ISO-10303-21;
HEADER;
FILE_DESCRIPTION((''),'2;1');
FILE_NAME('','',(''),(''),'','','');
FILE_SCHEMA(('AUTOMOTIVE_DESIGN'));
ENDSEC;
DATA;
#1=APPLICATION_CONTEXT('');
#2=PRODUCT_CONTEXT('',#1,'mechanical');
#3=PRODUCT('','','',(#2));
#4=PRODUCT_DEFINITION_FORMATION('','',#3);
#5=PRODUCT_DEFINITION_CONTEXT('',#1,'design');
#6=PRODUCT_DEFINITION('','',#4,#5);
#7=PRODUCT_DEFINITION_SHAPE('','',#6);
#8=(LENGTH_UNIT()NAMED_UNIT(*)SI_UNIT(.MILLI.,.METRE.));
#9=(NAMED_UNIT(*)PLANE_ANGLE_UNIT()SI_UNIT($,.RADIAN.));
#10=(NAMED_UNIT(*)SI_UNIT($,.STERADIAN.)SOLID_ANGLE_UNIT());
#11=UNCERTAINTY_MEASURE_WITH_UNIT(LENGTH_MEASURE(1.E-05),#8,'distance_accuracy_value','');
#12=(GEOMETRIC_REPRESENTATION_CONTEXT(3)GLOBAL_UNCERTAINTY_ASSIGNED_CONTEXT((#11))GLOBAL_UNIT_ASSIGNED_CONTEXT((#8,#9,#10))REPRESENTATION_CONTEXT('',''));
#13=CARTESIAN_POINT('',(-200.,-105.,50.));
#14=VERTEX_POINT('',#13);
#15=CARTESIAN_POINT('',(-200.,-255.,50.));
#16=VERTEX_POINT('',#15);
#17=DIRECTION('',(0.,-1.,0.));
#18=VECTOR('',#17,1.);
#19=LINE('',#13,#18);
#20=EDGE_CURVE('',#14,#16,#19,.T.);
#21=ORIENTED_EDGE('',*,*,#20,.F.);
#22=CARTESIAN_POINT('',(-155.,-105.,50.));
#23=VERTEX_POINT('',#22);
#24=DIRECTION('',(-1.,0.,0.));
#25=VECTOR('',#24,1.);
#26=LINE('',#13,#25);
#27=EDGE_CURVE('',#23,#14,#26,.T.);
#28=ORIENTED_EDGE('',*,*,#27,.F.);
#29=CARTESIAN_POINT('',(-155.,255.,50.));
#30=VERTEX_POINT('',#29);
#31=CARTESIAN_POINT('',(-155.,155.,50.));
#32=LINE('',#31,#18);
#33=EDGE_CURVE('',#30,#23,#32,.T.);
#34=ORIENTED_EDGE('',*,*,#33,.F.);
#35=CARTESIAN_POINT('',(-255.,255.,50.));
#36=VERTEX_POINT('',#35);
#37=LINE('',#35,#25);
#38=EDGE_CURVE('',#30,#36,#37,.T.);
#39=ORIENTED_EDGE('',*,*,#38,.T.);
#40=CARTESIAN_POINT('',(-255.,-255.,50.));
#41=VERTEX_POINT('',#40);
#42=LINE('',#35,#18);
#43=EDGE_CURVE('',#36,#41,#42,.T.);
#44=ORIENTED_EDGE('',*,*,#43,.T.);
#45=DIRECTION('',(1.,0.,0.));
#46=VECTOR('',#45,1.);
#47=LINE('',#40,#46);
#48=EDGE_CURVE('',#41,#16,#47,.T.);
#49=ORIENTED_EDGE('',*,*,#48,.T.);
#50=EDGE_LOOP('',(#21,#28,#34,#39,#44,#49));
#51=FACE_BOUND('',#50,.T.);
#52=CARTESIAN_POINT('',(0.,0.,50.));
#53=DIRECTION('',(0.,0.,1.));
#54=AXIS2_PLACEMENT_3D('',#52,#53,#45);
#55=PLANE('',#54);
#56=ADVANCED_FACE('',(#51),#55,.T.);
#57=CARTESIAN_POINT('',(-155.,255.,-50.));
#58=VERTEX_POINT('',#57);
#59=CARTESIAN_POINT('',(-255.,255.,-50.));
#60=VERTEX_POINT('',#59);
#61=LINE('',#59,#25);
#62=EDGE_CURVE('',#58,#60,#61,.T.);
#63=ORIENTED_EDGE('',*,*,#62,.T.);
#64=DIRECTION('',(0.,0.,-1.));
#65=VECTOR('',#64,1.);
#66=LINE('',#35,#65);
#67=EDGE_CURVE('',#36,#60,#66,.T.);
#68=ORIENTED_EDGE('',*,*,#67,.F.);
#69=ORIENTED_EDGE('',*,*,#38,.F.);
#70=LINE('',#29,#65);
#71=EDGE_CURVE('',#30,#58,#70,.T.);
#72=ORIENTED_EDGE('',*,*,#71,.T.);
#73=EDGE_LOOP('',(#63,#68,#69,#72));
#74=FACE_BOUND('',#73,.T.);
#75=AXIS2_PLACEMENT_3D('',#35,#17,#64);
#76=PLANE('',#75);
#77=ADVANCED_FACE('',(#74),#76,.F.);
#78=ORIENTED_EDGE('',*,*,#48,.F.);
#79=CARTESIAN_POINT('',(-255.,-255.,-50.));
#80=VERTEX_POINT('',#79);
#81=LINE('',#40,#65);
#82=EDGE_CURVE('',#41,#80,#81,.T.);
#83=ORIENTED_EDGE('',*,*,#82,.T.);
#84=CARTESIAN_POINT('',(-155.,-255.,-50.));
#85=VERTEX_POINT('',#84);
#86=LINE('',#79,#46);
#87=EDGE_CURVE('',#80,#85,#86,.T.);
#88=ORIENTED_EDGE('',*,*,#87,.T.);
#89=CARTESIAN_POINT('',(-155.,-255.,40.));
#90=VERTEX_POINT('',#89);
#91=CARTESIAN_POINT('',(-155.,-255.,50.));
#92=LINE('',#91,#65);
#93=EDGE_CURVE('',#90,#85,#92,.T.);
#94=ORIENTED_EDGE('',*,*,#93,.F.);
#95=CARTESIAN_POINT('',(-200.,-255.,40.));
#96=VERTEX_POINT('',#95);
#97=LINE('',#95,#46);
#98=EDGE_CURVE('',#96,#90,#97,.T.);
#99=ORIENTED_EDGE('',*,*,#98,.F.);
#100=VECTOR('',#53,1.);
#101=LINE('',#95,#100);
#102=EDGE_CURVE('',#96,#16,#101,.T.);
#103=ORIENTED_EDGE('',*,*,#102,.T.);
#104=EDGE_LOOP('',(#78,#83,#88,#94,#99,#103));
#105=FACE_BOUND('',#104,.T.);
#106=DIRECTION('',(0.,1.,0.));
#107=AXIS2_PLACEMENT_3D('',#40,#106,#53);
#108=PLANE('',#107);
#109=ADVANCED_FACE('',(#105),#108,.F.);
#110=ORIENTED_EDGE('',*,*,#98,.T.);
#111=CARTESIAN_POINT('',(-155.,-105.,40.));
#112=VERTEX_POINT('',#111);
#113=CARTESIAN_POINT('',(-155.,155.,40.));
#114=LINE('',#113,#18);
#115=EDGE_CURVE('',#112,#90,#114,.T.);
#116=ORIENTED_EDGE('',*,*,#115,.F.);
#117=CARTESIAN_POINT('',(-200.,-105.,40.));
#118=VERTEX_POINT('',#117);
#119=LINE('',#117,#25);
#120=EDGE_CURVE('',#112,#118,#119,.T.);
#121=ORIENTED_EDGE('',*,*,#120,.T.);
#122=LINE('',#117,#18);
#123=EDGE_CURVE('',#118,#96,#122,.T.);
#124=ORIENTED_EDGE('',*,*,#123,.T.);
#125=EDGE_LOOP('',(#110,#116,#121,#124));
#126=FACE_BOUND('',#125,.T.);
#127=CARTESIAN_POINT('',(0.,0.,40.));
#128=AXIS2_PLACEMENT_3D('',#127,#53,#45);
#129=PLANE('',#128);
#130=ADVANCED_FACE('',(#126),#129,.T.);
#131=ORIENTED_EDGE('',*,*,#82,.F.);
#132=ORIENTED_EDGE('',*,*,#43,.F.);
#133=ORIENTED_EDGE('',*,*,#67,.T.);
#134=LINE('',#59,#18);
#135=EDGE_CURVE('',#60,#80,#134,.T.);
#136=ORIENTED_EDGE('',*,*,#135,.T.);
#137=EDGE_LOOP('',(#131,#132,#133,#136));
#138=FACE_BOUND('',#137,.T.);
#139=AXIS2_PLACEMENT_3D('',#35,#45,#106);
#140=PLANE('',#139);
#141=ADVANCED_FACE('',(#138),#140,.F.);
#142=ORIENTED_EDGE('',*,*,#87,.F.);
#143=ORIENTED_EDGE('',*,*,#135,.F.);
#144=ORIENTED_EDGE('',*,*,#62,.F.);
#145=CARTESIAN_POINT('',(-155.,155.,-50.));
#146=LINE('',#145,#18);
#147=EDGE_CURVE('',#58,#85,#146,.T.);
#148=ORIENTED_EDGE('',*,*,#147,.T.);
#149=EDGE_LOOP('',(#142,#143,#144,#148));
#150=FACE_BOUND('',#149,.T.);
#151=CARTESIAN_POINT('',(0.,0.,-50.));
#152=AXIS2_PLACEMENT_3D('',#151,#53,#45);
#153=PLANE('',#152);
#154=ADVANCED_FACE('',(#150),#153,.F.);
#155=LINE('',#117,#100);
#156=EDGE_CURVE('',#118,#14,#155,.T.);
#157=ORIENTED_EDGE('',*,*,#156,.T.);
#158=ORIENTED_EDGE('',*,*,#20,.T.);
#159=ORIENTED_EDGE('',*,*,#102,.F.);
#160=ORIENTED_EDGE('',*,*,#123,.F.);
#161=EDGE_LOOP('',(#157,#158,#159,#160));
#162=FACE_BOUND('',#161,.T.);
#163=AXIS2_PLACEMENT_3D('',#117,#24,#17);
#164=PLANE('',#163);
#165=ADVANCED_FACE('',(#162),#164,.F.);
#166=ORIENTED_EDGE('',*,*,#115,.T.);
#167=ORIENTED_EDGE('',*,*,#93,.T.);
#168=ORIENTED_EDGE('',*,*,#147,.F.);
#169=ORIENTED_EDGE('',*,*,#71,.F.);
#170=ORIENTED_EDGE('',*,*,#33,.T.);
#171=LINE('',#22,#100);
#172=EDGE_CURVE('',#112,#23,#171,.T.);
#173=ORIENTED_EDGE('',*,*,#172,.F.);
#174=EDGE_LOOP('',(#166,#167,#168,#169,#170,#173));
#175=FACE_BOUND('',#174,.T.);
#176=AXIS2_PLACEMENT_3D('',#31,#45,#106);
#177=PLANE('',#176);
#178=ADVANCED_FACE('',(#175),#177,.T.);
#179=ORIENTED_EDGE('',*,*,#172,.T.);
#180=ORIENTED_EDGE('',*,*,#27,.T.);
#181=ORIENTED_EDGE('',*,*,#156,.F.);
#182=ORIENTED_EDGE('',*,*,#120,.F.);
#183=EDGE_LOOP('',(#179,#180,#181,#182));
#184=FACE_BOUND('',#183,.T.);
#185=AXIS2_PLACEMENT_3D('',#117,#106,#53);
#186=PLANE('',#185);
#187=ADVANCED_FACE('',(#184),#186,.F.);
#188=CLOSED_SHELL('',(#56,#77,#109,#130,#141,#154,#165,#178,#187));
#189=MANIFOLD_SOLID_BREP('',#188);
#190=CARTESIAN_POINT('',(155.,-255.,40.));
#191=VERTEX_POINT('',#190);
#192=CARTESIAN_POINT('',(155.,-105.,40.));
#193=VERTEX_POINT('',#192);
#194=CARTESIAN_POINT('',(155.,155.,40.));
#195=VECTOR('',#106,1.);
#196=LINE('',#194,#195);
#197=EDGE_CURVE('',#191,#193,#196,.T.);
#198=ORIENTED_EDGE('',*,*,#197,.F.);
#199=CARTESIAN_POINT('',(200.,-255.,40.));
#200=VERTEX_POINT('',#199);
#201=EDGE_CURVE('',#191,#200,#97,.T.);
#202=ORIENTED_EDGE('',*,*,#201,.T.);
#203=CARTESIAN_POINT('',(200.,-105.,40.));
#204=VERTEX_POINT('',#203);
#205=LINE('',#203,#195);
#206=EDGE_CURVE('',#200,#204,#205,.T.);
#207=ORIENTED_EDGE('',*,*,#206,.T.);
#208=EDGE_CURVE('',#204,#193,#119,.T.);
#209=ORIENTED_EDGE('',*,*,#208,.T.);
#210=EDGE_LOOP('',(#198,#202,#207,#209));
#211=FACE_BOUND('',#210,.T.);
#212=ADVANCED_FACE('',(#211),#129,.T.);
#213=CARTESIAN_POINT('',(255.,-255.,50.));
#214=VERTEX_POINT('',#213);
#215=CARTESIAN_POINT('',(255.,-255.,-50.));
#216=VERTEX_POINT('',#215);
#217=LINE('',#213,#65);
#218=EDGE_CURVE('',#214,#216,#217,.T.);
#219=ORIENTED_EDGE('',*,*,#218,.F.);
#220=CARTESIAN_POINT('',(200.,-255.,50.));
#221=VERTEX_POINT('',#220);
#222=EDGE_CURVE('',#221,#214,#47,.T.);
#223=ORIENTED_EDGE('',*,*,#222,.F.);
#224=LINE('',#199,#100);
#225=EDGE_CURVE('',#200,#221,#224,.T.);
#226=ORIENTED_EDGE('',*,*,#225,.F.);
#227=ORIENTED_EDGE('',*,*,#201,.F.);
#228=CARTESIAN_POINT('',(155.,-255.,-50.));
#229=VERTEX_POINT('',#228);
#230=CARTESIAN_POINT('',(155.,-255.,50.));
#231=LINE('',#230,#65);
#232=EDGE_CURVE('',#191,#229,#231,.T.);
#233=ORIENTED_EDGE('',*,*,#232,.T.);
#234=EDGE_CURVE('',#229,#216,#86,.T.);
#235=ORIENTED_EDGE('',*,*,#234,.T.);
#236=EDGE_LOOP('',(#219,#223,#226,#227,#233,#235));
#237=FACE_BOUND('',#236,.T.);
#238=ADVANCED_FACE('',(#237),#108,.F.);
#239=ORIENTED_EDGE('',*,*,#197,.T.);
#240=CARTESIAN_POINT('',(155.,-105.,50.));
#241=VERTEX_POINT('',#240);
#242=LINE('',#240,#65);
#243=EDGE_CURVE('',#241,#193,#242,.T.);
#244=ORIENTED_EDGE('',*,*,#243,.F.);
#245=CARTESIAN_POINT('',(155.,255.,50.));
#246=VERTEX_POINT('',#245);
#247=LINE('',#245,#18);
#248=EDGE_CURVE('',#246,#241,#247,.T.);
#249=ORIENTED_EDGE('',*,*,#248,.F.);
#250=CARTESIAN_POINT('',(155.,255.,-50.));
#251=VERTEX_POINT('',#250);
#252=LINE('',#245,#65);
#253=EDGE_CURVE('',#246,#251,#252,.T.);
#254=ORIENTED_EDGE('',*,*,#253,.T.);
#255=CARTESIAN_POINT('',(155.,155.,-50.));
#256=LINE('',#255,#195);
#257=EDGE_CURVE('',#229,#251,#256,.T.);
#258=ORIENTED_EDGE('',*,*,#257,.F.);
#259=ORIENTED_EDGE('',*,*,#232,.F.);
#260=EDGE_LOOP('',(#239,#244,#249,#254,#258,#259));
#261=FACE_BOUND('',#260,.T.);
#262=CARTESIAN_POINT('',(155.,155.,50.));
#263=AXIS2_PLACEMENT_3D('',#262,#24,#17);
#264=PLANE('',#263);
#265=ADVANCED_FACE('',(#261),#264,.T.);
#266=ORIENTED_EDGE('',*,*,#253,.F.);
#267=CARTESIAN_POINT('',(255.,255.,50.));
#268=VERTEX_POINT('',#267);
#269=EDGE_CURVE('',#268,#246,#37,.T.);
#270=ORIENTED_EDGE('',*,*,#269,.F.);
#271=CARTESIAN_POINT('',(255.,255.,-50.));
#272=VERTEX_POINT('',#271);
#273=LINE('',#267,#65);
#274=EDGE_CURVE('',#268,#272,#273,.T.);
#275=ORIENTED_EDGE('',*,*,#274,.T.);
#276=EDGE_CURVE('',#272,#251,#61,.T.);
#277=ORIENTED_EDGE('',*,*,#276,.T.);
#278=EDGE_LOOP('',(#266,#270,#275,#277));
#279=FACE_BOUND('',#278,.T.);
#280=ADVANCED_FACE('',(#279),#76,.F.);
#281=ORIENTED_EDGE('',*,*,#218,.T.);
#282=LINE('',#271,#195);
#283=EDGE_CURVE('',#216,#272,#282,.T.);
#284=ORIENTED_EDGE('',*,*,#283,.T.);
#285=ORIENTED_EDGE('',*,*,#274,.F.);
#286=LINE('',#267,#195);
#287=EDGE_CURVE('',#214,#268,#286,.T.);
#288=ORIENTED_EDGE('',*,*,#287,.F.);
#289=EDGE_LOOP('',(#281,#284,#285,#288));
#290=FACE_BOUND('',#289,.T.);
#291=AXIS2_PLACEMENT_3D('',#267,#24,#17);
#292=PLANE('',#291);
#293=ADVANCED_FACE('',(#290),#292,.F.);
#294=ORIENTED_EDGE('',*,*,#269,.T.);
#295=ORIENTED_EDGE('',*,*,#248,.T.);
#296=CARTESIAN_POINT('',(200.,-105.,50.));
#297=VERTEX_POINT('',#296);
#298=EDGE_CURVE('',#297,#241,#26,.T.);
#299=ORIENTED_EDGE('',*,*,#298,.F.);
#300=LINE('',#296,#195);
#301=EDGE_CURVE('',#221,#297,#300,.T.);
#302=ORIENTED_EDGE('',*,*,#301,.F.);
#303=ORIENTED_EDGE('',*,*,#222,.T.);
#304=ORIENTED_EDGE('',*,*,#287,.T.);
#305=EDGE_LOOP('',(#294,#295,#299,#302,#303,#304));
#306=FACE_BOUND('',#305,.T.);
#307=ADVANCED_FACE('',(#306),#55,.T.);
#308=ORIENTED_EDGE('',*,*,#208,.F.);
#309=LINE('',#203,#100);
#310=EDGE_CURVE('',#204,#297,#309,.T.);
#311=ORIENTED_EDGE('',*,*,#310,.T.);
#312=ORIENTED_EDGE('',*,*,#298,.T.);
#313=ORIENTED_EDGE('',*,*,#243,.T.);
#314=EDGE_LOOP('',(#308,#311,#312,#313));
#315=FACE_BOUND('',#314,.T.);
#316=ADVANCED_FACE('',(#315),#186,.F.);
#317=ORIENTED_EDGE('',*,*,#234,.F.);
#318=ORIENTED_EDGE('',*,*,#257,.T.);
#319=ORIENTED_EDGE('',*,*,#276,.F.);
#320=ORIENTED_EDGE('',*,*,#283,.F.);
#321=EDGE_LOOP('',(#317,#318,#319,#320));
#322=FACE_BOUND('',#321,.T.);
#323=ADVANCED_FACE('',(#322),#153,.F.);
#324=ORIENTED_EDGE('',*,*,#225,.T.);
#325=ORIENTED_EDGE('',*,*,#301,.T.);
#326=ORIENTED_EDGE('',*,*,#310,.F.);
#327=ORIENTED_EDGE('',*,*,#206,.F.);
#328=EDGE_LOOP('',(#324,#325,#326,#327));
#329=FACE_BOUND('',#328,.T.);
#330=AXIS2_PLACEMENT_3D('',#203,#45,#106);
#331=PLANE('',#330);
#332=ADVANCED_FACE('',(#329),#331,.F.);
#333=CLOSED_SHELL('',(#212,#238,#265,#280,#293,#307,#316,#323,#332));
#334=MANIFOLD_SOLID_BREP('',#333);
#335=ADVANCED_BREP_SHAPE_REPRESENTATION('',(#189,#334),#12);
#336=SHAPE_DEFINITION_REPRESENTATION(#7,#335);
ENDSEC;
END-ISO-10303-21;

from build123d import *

# Parameters (mm, degrees)
SKETCH1_W           = 510
SKETCH1_H           = 510
SKETCH1_W_2         = 310
SKETCH1_H_2         = 310
BOSS_EXTRUDE1_DEPTH = 50
SKETCH2_W           = 400
SKETCH2_H           = 150
CUT_EXTRUDE1_DEPTH  = 10
SKETCH3_W           = 310
SKETCH3_H           = 100
CUT_EXTRUDE2_DEPTH  = 375.232548023


with BuildPart() as part:
    # Sketch1 → Boss-Extrude1 (new, symmetric)
    with BuildSketch(Plane.XY):
        Rectangle(SKETCH1_W, SKETCH1_H)
        Rectangle(SKETCH1_W_2, SKETCH1_H_2, mode=Mode.SUBTRACT)
    extrude(amount=BOSS_EXTRUDE1_DEPTH, both=True)

    # Sketch2 → Cut-Extrude1 (cut)
    with BuildSketch(Plane.XY.offset(50)):
        with Locations((0, -180)):
            Rectangle(SKETCH2_W, SKETCH2_H)
    extrude(amount=-CUT_EXTRUDE1_DEPTH, mode=Mode.SUBTRACT)

    # Sketch3 → Cut-Extrude2 (cut, through all)
    with BuildSketch(Plane(origin=(0, 0, -50), x_dir=(-1, 0, 0), z_dir=(0, 0, -1))):
        with Locations((0, -205)):
            Rectangle(SKETCH3_W, SKETCH3_H)
        with Locations((0, 205)):
            Rectangle(SKETCH3_W, SKETCH3_H)
    extrude(amount=-CUT_EXTRUDE2_DEPTH, mode=Mode.SUBTRACT)


with BuildPart() as cut_extrude2_piece_1:
    # of the separate pieces the step leaves, piece 1, a body of its own (cut_extrude2_pieces)
    add(part.part.solids().sort_by_distance((-255, 255, -50))[0])


with BuildPart() as cut_extrude2_piece_2:
    # of the separate pieces the step leaves, piece 2, a body of its own (cut_extrude2_pieces)
    add(part.part.solids().sort_by_distance((155, 255, -50))[0])


solid = Compound([cut_extrude2_piece_1.part, cut_extrude2_piece_2.part])
